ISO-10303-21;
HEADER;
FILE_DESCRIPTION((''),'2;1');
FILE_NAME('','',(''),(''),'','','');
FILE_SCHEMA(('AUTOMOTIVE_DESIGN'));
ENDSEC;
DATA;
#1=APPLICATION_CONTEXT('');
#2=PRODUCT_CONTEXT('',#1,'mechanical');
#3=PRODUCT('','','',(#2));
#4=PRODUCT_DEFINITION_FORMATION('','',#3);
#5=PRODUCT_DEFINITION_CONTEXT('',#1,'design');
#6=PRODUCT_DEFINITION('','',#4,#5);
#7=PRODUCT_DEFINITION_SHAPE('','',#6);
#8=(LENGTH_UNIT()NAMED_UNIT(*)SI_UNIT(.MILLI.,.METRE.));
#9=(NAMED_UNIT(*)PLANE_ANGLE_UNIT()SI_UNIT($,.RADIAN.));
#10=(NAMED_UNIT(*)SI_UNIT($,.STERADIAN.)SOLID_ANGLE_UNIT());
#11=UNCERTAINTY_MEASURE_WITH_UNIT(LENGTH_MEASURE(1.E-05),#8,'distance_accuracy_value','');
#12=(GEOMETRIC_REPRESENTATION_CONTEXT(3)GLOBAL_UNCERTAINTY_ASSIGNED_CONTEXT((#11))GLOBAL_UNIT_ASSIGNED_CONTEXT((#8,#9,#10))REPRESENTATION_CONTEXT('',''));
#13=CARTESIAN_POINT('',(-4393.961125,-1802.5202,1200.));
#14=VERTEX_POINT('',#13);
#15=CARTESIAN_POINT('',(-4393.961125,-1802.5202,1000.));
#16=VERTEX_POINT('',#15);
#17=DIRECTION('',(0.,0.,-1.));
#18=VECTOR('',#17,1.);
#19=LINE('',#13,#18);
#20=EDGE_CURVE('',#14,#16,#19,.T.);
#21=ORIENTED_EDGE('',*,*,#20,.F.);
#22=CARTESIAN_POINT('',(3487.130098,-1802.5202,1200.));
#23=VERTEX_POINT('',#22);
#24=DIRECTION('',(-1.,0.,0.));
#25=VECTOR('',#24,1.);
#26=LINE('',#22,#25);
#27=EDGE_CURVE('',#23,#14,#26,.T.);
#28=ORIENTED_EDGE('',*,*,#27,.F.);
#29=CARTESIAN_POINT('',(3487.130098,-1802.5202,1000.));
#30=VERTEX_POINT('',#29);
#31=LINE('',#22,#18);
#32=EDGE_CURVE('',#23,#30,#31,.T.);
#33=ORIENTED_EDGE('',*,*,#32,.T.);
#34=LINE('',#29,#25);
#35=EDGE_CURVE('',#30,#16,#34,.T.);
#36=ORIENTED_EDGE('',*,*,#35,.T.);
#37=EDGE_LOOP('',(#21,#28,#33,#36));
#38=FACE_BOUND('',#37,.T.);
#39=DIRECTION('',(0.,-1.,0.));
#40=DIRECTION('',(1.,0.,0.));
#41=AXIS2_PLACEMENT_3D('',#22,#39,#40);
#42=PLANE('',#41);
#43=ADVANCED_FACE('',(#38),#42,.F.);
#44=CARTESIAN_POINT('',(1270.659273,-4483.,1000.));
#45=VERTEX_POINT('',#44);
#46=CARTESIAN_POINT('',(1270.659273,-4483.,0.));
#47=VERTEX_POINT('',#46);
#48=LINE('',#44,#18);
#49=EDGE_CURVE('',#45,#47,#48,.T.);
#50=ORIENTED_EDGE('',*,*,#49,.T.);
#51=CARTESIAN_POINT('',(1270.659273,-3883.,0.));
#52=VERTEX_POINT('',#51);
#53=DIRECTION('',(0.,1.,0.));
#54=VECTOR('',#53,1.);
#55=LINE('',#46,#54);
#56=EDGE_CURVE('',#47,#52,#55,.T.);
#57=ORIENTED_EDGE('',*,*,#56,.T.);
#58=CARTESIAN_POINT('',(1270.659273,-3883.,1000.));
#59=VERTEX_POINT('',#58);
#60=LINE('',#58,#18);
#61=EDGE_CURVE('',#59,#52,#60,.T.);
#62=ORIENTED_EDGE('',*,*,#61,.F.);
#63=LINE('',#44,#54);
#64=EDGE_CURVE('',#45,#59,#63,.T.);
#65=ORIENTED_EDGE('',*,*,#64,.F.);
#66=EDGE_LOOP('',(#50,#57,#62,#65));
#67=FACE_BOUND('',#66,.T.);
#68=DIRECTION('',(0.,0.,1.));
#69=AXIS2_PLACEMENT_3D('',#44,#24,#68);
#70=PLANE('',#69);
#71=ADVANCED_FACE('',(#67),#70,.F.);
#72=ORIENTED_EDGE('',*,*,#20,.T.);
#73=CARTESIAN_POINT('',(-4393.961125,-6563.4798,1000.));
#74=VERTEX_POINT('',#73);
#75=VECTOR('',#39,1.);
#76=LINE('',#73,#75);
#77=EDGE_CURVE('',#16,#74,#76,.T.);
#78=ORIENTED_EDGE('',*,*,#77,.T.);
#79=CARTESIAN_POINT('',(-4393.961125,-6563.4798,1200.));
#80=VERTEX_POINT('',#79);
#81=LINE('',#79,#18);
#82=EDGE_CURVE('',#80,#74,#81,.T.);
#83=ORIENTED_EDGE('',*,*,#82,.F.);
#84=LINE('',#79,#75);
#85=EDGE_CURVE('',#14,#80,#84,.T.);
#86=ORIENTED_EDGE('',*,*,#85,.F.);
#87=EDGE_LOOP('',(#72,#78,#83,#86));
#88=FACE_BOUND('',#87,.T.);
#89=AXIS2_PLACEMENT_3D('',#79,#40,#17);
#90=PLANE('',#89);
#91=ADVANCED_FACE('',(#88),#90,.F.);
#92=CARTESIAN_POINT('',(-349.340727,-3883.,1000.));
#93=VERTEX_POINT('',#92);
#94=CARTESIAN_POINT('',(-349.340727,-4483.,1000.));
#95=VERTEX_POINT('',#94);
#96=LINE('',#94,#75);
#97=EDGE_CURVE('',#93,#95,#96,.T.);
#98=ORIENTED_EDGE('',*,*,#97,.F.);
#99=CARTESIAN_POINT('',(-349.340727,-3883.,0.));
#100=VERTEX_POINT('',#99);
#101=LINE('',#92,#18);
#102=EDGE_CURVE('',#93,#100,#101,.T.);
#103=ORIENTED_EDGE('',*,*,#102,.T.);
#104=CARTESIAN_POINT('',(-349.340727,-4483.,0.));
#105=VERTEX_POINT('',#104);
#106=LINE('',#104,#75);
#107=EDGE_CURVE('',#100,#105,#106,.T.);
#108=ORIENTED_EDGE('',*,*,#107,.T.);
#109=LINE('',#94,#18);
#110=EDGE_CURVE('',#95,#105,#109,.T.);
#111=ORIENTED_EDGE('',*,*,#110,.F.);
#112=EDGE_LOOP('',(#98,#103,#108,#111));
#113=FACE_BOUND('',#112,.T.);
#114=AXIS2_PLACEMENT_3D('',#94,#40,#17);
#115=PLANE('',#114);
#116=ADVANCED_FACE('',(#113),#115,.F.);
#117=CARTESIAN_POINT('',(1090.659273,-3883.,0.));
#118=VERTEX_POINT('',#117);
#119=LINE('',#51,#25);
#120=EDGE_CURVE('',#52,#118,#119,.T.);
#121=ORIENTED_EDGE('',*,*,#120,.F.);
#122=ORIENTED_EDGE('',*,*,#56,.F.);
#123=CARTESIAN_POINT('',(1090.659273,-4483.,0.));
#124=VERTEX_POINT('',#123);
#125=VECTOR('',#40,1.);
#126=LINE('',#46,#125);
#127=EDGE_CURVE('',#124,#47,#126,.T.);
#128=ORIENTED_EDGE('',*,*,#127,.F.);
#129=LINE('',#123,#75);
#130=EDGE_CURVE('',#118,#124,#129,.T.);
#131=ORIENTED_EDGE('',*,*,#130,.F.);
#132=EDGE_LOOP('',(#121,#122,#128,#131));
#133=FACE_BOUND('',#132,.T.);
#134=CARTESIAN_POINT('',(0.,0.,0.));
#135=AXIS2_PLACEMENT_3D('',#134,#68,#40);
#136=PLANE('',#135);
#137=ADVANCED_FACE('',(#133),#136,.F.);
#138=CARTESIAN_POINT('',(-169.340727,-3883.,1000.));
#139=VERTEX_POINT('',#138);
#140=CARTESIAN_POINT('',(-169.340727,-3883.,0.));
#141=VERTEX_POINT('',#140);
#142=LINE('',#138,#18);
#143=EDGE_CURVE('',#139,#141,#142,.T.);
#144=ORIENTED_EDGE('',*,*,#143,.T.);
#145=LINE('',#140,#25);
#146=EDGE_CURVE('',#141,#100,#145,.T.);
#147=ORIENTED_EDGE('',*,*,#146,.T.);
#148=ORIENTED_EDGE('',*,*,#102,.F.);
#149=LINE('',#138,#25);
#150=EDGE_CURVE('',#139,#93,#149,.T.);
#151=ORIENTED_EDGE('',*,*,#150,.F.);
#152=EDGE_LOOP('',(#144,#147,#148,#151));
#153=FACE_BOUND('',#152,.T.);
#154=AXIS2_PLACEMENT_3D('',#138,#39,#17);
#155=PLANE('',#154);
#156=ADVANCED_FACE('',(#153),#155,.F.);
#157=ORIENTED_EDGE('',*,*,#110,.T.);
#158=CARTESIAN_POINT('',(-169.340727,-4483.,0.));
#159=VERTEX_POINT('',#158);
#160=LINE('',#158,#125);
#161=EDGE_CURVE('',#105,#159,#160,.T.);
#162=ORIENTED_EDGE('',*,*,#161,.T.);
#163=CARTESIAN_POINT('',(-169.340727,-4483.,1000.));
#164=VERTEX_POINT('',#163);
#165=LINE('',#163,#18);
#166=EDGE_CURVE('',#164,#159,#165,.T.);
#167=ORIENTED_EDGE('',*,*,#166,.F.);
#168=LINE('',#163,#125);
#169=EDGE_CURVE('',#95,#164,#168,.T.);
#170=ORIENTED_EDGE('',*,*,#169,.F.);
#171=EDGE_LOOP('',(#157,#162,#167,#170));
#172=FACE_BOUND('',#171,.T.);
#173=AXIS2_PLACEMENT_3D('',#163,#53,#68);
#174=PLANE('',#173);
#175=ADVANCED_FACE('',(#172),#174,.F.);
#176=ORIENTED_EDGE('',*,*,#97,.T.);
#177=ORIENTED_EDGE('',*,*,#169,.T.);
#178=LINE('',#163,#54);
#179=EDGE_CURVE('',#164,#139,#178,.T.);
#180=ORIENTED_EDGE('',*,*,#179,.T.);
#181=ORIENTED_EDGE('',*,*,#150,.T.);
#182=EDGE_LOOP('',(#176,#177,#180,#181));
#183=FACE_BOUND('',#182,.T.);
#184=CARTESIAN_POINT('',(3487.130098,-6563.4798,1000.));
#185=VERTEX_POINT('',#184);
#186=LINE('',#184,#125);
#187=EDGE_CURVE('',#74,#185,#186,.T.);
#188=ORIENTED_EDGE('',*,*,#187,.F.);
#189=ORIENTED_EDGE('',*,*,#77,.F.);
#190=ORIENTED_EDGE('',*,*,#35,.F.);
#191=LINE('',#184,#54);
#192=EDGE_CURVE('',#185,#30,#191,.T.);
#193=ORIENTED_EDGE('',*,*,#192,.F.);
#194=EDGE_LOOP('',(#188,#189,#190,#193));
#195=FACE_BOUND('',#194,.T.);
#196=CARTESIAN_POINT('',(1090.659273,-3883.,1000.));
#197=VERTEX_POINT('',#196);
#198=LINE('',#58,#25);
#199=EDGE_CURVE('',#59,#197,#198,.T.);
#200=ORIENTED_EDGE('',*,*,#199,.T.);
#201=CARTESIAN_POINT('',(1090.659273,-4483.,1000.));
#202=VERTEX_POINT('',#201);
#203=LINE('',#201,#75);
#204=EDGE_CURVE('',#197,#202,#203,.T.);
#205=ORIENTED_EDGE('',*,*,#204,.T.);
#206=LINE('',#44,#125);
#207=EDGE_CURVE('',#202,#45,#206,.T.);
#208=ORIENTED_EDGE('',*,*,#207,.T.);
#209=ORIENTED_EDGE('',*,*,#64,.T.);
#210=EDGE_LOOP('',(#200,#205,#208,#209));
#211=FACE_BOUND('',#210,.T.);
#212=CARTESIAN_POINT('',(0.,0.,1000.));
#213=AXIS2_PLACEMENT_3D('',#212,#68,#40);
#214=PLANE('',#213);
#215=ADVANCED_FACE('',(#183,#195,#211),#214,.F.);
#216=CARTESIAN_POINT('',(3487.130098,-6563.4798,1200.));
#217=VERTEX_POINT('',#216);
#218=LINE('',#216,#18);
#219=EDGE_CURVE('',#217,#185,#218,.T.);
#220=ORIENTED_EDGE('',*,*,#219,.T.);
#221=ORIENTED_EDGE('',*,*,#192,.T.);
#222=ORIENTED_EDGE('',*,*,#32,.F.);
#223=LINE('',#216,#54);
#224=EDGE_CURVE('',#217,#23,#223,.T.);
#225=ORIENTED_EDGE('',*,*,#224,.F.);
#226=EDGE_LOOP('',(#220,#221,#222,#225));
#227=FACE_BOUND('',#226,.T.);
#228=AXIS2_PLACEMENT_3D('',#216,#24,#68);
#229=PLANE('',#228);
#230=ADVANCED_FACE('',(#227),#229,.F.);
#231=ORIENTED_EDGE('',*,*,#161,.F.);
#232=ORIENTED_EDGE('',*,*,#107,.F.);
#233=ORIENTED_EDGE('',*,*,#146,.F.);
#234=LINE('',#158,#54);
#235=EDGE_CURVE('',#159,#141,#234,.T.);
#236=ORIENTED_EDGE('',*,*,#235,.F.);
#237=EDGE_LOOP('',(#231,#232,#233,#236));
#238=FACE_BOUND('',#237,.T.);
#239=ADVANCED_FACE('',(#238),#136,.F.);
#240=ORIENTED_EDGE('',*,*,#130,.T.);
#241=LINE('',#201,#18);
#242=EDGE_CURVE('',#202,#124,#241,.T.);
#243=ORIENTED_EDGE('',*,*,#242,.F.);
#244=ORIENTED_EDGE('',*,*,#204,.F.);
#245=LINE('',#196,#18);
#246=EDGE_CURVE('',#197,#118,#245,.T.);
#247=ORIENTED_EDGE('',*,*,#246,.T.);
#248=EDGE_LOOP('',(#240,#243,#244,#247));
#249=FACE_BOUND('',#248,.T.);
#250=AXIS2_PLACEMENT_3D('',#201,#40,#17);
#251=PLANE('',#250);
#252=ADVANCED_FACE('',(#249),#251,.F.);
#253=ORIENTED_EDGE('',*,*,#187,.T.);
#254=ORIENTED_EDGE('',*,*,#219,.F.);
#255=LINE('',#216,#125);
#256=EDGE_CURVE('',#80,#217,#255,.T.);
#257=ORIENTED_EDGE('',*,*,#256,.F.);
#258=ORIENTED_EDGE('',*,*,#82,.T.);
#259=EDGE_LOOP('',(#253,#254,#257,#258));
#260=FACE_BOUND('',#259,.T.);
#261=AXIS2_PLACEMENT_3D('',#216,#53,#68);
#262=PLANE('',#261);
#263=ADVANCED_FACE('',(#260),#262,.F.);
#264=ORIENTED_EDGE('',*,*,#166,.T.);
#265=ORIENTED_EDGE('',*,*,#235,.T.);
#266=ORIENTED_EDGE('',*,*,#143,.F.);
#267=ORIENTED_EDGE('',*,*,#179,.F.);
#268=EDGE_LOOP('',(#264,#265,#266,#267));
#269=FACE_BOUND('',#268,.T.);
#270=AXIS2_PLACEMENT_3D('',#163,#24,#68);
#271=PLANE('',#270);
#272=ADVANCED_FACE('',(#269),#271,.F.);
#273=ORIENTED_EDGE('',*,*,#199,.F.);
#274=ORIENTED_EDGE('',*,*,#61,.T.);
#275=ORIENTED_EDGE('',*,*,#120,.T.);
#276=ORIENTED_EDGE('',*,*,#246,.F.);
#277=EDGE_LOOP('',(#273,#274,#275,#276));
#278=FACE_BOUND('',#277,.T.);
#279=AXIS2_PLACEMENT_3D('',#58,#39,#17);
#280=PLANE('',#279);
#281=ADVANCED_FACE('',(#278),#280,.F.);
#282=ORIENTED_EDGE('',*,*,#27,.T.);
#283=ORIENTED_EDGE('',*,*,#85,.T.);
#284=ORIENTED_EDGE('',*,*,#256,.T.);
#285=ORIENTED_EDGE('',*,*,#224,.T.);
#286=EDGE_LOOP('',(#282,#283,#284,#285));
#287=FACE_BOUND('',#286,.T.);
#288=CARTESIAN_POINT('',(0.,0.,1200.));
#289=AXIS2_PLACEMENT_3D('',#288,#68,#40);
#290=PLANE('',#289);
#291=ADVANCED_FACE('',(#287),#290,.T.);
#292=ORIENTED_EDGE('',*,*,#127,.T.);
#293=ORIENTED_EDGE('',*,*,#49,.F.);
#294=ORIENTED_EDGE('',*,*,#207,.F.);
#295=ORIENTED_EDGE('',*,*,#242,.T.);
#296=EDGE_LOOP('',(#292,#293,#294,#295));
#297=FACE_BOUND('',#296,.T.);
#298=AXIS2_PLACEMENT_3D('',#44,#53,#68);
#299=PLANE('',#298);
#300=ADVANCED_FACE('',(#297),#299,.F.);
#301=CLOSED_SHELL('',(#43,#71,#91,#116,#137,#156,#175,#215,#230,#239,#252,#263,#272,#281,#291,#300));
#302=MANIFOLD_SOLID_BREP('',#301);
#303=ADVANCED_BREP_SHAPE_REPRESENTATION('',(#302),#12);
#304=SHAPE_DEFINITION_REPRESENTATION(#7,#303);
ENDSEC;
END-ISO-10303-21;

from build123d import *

# Parameters (mm, degrees)
SKETCH1_W             = 180
SKETCH1_H             = 600
BOSS_EXTRUDE1_DEPTH   = 1000
BOSS_EXTRUDE1_2_DEPTH = 1000
SKETCH2_W             = 7881.091222757
SKETCH2_H             = 4760.959600818
BOSS_EXTRUDE2_DEPTH   = 200


with BuildPart() as part:
    # Sketch1 → Boss-Extrude1 (new body)
    with BuildSketch(Plane.XY):
        with Locations((1180.659272875, -4183)):
            Rectangle(SKETCH1_W, SKETCH1_H)
    extrude(amount=BOSS_EXTRUDE1_DEPTH)



with BuildPart() as body_2:
    # Sketch1 → Boss-Extrude1 2 (new body)
    with BuildSketch(Plane.XY):
        with Locations((-259.340727125, -4183)):
            Rectangle(SKETCH1_W, SKETCH1_H)
    extrude(amount=BOSS_EXTRUDE1_2_DEPTH)


with BuildPart() as part_1:
    add(part.part)

    add(body_2.part)  # Boss-Extrude2 merges body 2
    # Sketch2 → Boss-Extrude2 (add)
    with BuildSketch(Plane.XY.offset(1000)):
        with Locations((-453.415513366, -4183)):
            Rectangle(SKETCH2_W, SKETCH2_H)
    extrude(amount=BOSS_EXTRUDE2_DEPTH)


solid = part_1.part
